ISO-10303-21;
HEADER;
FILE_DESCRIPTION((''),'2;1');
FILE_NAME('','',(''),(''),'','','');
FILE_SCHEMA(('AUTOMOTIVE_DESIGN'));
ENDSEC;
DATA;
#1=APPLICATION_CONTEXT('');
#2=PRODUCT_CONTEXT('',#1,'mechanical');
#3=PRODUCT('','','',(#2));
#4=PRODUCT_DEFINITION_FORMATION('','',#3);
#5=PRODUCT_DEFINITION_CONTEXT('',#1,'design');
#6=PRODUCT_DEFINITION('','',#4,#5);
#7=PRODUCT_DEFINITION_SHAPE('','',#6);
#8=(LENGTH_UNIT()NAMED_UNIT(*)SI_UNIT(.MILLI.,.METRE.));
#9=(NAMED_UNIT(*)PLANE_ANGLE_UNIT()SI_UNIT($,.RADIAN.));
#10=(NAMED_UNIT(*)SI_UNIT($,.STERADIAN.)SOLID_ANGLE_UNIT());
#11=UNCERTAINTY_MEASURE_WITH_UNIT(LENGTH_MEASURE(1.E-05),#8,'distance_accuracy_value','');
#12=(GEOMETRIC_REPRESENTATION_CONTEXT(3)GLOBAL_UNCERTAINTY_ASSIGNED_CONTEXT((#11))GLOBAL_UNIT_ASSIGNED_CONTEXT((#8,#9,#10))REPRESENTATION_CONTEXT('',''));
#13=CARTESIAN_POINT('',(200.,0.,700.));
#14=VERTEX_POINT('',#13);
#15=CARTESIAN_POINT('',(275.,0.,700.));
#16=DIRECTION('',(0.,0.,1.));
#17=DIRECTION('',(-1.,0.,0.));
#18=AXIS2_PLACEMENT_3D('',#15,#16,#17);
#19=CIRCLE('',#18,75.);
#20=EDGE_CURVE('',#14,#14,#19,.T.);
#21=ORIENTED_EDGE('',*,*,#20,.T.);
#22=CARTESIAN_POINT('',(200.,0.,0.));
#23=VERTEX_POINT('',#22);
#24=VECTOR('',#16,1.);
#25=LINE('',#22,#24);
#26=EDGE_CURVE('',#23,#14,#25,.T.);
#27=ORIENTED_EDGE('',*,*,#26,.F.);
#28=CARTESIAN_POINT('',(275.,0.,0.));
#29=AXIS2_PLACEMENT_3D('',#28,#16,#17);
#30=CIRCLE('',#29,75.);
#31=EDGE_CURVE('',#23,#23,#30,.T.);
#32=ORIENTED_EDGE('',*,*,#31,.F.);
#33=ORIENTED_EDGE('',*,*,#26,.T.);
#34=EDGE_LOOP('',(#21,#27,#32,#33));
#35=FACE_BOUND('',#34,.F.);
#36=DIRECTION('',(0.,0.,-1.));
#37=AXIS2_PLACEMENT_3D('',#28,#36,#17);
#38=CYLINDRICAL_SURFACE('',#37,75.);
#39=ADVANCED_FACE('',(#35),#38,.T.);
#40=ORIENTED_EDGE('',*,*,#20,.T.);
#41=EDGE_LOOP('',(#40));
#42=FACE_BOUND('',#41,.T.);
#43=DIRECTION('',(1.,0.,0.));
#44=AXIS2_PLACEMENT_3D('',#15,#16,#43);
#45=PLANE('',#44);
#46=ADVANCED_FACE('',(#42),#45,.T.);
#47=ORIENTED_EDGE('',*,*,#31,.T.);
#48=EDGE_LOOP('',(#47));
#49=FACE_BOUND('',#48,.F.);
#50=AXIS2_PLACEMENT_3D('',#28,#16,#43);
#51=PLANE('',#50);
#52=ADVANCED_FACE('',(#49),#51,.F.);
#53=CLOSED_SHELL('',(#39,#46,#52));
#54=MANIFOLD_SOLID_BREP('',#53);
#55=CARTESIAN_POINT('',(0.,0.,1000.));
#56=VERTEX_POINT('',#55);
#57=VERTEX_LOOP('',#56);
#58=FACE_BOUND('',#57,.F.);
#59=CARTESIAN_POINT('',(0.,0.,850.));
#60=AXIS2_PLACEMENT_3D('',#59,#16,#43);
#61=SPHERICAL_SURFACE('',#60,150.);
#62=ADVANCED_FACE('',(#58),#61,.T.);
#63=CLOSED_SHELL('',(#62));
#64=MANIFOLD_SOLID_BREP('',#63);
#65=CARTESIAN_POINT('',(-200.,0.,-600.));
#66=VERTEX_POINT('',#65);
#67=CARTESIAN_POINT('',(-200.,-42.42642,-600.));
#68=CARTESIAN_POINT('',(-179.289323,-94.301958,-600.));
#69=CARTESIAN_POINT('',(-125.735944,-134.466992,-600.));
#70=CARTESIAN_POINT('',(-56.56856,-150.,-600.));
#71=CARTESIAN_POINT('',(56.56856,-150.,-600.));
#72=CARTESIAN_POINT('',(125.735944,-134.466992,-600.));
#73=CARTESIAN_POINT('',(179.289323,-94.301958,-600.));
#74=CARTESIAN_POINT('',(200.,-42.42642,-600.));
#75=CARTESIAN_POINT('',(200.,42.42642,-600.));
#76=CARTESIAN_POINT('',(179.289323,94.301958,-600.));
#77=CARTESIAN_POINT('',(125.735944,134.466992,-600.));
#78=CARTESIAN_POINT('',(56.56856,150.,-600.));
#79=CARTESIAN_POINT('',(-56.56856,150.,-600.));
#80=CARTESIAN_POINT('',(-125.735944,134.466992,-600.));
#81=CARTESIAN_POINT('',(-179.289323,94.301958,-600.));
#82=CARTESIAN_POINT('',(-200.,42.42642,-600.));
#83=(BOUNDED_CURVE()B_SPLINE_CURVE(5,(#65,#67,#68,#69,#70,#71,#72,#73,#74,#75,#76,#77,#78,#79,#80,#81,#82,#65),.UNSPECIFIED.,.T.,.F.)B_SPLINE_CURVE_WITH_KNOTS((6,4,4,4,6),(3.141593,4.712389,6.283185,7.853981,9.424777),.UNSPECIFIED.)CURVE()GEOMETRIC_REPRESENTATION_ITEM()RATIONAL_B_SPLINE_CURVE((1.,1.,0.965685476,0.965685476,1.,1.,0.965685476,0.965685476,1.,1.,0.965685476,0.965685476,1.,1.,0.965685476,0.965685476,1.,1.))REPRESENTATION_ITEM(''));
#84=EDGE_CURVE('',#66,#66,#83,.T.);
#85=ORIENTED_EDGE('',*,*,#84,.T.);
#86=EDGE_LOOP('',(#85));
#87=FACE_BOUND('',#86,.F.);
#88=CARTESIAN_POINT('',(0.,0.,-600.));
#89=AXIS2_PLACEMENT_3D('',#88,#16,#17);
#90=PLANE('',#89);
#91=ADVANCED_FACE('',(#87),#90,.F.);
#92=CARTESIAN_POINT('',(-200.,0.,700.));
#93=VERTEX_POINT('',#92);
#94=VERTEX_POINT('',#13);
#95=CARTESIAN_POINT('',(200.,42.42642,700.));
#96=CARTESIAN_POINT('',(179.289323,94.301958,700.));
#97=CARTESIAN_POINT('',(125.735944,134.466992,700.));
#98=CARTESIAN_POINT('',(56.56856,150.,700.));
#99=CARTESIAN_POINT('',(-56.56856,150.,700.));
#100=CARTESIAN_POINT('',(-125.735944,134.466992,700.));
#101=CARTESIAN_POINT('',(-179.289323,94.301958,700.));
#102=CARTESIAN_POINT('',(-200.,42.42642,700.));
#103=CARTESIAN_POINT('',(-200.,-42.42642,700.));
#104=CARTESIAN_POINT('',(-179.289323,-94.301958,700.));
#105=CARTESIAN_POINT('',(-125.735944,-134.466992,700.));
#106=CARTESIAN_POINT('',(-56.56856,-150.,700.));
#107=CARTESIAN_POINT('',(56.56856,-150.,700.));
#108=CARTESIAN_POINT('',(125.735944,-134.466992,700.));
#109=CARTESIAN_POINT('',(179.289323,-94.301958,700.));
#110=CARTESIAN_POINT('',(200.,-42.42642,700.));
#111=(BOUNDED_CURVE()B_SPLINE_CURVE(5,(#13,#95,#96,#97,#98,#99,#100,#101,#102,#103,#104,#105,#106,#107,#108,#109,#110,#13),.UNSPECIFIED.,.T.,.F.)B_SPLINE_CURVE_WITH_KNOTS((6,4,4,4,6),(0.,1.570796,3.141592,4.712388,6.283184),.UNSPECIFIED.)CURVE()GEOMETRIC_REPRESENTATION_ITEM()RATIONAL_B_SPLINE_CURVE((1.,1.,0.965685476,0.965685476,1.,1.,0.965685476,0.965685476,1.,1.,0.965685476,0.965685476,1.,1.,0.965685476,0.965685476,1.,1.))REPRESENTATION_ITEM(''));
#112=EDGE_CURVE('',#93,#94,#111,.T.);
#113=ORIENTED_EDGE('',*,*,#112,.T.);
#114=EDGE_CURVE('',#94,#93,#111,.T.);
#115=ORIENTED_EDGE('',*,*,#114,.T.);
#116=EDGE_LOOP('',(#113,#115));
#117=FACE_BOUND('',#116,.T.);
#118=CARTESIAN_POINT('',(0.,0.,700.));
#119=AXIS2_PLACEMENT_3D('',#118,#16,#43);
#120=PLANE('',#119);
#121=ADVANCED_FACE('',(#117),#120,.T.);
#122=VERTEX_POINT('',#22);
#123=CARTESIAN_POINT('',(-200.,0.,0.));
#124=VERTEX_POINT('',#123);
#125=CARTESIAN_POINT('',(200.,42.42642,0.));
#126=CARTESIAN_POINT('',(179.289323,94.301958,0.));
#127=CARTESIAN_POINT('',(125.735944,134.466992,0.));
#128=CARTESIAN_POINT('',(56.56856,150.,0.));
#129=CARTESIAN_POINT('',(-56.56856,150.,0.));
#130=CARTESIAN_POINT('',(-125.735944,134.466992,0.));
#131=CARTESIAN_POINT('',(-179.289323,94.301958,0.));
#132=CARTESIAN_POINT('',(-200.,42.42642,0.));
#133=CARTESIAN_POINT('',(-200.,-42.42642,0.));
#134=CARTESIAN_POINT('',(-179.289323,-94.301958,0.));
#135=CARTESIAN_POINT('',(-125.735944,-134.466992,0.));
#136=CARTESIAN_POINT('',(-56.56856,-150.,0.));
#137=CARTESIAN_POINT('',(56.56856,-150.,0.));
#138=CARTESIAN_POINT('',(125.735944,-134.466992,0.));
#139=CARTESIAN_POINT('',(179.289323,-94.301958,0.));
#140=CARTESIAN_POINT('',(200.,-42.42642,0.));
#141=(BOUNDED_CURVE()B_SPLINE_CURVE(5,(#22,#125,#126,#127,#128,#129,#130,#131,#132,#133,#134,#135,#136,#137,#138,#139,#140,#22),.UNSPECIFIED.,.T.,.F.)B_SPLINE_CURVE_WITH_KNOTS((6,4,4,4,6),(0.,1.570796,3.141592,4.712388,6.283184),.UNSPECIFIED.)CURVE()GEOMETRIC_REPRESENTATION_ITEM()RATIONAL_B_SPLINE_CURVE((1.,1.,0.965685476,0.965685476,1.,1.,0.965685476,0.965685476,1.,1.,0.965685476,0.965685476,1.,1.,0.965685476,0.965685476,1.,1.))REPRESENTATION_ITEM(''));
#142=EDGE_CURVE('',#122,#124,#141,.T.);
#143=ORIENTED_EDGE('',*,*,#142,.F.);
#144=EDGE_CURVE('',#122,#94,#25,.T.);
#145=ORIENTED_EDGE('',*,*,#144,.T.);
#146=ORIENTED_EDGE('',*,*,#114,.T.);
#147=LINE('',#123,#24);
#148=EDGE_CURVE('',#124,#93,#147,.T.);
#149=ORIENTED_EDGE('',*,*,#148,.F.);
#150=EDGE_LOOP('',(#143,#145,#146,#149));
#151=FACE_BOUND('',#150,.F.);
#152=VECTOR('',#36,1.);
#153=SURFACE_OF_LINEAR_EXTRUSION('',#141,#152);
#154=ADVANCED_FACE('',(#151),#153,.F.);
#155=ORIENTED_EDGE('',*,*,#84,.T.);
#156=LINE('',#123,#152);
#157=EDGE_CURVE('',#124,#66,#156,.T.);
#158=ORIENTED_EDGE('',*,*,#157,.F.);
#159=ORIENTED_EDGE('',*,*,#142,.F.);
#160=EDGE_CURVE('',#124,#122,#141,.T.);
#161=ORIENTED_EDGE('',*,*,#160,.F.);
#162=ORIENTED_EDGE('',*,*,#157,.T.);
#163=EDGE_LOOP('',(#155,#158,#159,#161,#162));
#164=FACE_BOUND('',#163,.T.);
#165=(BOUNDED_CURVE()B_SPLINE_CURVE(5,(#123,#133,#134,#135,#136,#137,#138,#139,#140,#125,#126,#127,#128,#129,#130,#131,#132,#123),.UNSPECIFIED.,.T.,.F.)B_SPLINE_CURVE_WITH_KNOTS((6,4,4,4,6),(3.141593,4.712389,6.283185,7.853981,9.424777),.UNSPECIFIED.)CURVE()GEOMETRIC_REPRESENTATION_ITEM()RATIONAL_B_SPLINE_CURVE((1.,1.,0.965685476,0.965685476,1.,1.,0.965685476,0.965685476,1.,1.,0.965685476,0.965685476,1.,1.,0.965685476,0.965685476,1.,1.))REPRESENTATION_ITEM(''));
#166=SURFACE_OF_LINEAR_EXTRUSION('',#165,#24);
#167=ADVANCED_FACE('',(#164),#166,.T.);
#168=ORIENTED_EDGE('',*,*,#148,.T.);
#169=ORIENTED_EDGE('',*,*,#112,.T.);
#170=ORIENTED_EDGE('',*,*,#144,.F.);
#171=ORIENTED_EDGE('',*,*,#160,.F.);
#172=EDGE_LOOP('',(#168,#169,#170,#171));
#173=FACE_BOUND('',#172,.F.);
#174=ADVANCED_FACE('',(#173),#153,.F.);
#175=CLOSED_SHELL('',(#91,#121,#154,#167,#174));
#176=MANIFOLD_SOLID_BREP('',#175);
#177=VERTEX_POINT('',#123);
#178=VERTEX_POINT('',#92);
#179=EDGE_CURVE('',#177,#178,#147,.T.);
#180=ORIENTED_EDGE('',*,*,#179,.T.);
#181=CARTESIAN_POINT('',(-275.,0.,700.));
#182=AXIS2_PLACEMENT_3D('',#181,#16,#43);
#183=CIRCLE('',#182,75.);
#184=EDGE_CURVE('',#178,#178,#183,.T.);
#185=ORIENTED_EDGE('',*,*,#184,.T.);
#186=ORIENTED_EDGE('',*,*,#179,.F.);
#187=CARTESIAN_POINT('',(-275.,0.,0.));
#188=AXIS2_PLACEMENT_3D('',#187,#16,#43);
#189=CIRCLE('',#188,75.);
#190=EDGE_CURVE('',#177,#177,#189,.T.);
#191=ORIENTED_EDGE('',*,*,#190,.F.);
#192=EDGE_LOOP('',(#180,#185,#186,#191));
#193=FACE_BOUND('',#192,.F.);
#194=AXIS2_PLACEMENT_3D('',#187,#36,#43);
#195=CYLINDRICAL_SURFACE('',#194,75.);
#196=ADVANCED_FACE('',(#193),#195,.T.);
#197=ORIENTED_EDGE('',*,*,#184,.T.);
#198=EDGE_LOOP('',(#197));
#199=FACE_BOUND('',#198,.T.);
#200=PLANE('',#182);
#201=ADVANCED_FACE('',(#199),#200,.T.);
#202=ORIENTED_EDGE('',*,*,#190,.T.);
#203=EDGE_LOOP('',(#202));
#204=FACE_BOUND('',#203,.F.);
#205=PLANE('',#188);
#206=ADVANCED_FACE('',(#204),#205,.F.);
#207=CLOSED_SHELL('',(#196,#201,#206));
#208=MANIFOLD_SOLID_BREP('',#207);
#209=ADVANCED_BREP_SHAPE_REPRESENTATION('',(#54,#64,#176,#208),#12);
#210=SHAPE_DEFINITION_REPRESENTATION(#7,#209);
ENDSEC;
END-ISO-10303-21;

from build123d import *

# Parameters (mm, degrees)
F0_R     = 75
F3_DEPTH = 700
F4_DEPTH = 600


with BuildPart() as f2:
    # F1 (on Front) → F2 (revolve)
    with BuildSketch(Plane.XZ):
        with BuildLine():
            Line((0, 1000), (0, 700))
            ThreePointArc((0, 700), (150, 850), (0, 1000))
        make_face()
    revolve(axis=Axis((0, 0, 850), (0, 0, -1)))


with BuildPart() as f3:
    # F0 (on Top) → F3 (new body)
    with BuildSketch(Plane.XY):
        with BuildLine():
            ThreePointArc((200, 0), (275, -75), (350, 0))
            ThreePointArc((350, 0), (275, 75), (200, 0))
        make_face()
        with Locations((-275, 0)):
            Circle(F0_R)
        with BuildLine():
            add(Edge.make_bspline(
                [(-200, 0), (-200, -150), (0, -150), (200, -150), (200, 0)],
                knots=[3.141593, 3.141593, 3.141593, 4.712389, 4.712389, 6.283185, 6.283185, 6.283185], degree=2, weights=[1, 0.707107, 1, 0.707107, 1]))
            add(Edge.make_bspline(
                [(200, 0), (200, 150), (0, 150), (-200, 150), (-200, 0)],
                knots=[0, 0, 0, 1.570796, 1.570796, 3.141593, 3.141593, 3.141593], degree=2, weights=[1, 0.707107, 1, 0.707107, 1]))
        make_face()
    extrude(amount=F3_DEPTH)

    # F3_face (on face) → F4 (join)
    with BuildSketch(Plane(origin=(0, 0, 0), x_dir=(1, 0, 0), z_dir=(0, 0, -1))):
        with BuildLine():
            add(Edge.make_bspline(
                [(200, 0), (200, -150), (0, -150), (-200, -150), (-200, 0)],
                knots=[0, 0, 0, 1.570796, 1.570796, 3.141593, 3.141593, 3.141593], degree=2, weights=[1, 0.707107, 1, 0.707107, 1]))
            add(Edge.make_bspline(
                [(-200, 0), (-200, 150), (0, 150), (200, 150), (200, 0)],
                knots=[3.141593, 3.141593, 3.141593, 4.712389, 4.712389, 6.283185, 6.283185, 6.283185], degree=2, weights=[1, 0.707107, 1, 0.707107, 1]))
        make_face()
    extrude(amount=F4_DEPTH)


solid = Compound([f2.part, f3.part])
